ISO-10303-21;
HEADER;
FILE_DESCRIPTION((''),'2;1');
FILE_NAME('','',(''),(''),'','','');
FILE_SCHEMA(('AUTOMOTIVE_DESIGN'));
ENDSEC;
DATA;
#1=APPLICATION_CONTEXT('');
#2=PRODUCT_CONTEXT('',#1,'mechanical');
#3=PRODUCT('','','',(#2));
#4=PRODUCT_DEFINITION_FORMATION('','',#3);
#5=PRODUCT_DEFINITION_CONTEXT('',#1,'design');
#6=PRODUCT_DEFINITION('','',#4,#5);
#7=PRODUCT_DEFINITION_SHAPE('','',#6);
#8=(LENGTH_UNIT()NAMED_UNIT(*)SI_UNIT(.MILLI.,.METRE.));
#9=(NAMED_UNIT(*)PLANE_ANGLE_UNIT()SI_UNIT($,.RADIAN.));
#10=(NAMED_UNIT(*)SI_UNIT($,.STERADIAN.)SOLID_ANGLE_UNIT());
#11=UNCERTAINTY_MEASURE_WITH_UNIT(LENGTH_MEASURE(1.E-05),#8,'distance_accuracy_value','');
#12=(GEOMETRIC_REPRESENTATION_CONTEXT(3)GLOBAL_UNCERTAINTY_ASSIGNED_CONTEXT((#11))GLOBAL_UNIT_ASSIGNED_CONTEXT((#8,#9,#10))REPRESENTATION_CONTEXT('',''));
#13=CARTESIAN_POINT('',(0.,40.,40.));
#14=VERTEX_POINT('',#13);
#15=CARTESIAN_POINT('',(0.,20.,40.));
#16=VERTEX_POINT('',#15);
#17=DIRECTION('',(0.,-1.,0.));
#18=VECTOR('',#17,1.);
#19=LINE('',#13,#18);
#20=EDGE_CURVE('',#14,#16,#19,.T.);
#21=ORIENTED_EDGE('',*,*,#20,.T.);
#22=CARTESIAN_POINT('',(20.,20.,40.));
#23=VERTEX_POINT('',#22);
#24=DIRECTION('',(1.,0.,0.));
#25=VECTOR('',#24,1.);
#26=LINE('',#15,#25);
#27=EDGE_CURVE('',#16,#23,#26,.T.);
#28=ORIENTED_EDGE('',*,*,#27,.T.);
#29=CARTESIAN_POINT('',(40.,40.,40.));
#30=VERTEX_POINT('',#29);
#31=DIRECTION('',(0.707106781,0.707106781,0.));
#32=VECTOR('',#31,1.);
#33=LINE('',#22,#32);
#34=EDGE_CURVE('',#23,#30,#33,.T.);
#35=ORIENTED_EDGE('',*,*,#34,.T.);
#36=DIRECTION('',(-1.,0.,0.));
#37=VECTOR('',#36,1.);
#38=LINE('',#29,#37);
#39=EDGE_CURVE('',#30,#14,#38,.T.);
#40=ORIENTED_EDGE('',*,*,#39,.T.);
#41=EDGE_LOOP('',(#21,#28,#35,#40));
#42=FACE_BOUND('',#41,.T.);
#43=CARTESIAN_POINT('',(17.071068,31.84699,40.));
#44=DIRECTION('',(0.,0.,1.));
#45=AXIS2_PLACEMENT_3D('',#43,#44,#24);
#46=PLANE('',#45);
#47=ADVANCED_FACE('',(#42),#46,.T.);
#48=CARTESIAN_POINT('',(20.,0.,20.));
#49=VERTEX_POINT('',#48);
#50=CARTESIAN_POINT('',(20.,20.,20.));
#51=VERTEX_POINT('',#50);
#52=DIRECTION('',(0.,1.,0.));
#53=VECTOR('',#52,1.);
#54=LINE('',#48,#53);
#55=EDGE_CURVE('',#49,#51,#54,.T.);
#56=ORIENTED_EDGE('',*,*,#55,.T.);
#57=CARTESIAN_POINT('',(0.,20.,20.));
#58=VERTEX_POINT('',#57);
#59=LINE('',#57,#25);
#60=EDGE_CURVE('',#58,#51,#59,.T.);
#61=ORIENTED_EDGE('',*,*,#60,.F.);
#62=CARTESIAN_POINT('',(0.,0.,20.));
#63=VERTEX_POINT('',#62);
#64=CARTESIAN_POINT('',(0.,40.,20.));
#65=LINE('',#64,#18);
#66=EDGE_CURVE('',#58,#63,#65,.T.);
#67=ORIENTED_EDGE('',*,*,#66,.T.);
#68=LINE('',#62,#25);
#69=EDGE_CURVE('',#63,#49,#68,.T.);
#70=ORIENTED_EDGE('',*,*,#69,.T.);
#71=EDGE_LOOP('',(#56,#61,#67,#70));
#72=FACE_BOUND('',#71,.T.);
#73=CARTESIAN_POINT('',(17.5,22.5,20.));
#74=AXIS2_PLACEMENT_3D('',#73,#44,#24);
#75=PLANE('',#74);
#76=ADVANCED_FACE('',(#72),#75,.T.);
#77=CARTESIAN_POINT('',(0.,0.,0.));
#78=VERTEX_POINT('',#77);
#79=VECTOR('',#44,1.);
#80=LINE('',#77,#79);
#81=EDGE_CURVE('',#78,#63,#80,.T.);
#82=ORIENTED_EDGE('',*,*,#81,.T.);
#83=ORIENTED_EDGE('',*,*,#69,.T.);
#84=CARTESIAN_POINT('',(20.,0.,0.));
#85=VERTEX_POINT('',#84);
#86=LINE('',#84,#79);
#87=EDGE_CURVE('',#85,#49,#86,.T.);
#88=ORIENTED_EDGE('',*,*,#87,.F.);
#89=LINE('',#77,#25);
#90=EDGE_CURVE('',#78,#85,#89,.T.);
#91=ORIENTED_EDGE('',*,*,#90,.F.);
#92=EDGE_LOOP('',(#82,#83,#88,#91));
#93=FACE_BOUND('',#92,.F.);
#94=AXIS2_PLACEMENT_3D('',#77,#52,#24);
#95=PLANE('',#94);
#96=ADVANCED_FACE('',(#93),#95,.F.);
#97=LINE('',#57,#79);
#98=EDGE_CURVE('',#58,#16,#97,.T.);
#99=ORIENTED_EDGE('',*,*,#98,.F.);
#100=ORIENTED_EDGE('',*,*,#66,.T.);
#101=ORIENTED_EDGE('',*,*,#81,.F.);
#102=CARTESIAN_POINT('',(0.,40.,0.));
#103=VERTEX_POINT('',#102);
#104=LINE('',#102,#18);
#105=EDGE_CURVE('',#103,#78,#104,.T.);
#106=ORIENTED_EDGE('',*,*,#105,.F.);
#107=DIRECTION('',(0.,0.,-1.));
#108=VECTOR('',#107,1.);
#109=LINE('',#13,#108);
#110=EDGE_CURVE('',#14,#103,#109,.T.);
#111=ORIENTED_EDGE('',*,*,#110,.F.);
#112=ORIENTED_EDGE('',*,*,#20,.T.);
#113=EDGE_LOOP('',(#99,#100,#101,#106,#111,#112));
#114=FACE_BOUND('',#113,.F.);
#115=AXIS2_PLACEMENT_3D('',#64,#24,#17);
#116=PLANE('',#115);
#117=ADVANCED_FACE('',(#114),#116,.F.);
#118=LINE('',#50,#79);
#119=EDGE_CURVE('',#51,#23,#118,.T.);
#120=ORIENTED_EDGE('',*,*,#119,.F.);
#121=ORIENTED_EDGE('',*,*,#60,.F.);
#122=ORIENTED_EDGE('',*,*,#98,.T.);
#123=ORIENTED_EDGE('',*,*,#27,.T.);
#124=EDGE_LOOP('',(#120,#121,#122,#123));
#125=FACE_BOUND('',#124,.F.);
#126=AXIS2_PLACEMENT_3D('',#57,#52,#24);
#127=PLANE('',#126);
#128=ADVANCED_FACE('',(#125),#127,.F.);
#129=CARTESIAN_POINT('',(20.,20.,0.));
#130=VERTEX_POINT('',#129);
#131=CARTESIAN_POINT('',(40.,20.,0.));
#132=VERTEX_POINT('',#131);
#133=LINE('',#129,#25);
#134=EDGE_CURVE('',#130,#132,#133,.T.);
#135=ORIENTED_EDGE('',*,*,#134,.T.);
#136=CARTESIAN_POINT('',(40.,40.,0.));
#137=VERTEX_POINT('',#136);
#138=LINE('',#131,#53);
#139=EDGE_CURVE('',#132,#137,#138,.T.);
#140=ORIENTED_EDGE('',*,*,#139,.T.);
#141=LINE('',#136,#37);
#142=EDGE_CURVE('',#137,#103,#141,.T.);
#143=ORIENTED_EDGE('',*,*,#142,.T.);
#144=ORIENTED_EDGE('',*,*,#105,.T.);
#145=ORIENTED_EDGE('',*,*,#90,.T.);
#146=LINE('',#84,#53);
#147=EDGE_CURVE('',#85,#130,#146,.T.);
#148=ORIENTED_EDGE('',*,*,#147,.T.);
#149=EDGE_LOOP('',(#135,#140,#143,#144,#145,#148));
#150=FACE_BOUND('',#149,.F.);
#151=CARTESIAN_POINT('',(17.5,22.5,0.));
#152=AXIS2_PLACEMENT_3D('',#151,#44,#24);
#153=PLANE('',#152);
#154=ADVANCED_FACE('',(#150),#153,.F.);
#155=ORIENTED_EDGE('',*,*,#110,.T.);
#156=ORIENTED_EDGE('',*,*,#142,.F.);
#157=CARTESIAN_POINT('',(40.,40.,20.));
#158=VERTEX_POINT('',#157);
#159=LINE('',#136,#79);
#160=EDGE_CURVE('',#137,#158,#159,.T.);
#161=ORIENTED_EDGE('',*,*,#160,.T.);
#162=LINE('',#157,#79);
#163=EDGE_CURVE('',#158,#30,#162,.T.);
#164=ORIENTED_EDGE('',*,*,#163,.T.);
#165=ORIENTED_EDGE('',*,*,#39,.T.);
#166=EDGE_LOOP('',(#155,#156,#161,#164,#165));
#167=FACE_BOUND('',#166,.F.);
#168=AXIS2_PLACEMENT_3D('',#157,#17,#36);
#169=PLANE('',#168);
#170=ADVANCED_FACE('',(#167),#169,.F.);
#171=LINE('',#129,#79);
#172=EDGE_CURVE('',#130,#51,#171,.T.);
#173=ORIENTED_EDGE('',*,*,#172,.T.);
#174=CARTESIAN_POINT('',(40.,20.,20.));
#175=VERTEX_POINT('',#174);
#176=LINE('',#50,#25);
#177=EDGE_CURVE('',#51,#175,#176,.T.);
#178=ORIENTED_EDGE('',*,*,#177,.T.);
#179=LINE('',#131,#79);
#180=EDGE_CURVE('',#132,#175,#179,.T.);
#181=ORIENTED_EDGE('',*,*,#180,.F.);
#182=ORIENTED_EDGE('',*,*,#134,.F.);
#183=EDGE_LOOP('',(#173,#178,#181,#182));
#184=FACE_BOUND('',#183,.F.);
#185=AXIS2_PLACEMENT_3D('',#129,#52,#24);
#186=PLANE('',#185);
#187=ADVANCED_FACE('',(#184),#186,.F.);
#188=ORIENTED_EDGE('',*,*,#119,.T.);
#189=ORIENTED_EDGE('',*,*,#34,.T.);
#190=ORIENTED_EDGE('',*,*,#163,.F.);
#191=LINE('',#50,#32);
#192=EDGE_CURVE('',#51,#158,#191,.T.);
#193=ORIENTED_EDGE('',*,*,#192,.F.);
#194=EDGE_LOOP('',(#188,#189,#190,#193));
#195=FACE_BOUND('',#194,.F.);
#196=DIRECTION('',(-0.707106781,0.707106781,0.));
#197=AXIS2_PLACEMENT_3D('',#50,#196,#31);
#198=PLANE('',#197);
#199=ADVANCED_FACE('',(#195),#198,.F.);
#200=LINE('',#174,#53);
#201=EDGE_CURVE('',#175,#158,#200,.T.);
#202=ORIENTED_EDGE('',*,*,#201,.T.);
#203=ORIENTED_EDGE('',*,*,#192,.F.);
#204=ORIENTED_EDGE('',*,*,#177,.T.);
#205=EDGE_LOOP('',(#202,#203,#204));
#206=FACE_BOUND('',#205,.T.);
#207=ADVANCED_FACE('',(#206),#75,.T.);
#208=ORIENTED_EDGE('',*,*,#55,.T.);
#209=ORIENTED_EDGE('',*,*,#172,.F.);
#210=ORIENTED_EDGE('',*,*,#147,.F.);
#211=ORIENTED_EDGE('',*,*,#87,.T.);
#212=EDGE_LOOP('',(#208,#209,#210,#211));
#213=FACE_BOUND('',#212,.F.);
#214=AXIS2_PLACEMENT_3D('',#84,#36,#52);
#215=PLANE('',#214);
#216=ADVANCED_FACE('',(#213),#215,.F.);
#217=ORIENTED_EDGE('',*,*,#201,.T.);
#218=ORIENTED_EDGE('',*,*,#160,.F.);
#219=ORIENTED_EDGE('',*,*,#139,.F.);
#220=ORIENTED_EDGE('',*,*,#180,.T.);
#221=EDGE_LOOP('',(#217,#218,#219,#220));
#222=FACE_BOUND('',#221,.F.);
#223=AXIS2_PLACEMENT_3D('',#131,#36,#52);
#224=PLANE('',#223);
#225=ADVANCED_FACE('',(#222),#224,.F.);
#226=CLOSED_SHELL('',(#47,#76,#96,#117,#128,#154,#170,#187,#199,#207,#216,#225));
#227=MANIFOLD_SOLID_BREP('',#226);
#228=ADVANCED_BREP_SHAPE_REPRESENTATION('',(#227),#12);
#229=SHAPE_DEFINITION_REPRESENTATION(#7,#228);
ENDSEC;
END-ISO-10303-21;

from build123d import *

# Parameters (mm, degrees)
F1_DEPTH = 20
F3_DEPTH = 20


with BuildPart() as f1:
    # F0 (on Top) → F1 (new body)
    with BuildSketch(Plane.XY):
        Polygon((0, 40), (0, 0), (20, 0), (20, 20), (40, 20), (40, 40), align=None)
    extrude(amount=F1_DEPTH)

    # F2 (on face) → F3 (join)
    with BuildSketch(Plane.XY.offset(20)):
        Polygon((0, 20), (20, 20), (40, 40), (0, 40), align=None)
    extrude(amount=F3_DEPTH)


solid = f1.part
